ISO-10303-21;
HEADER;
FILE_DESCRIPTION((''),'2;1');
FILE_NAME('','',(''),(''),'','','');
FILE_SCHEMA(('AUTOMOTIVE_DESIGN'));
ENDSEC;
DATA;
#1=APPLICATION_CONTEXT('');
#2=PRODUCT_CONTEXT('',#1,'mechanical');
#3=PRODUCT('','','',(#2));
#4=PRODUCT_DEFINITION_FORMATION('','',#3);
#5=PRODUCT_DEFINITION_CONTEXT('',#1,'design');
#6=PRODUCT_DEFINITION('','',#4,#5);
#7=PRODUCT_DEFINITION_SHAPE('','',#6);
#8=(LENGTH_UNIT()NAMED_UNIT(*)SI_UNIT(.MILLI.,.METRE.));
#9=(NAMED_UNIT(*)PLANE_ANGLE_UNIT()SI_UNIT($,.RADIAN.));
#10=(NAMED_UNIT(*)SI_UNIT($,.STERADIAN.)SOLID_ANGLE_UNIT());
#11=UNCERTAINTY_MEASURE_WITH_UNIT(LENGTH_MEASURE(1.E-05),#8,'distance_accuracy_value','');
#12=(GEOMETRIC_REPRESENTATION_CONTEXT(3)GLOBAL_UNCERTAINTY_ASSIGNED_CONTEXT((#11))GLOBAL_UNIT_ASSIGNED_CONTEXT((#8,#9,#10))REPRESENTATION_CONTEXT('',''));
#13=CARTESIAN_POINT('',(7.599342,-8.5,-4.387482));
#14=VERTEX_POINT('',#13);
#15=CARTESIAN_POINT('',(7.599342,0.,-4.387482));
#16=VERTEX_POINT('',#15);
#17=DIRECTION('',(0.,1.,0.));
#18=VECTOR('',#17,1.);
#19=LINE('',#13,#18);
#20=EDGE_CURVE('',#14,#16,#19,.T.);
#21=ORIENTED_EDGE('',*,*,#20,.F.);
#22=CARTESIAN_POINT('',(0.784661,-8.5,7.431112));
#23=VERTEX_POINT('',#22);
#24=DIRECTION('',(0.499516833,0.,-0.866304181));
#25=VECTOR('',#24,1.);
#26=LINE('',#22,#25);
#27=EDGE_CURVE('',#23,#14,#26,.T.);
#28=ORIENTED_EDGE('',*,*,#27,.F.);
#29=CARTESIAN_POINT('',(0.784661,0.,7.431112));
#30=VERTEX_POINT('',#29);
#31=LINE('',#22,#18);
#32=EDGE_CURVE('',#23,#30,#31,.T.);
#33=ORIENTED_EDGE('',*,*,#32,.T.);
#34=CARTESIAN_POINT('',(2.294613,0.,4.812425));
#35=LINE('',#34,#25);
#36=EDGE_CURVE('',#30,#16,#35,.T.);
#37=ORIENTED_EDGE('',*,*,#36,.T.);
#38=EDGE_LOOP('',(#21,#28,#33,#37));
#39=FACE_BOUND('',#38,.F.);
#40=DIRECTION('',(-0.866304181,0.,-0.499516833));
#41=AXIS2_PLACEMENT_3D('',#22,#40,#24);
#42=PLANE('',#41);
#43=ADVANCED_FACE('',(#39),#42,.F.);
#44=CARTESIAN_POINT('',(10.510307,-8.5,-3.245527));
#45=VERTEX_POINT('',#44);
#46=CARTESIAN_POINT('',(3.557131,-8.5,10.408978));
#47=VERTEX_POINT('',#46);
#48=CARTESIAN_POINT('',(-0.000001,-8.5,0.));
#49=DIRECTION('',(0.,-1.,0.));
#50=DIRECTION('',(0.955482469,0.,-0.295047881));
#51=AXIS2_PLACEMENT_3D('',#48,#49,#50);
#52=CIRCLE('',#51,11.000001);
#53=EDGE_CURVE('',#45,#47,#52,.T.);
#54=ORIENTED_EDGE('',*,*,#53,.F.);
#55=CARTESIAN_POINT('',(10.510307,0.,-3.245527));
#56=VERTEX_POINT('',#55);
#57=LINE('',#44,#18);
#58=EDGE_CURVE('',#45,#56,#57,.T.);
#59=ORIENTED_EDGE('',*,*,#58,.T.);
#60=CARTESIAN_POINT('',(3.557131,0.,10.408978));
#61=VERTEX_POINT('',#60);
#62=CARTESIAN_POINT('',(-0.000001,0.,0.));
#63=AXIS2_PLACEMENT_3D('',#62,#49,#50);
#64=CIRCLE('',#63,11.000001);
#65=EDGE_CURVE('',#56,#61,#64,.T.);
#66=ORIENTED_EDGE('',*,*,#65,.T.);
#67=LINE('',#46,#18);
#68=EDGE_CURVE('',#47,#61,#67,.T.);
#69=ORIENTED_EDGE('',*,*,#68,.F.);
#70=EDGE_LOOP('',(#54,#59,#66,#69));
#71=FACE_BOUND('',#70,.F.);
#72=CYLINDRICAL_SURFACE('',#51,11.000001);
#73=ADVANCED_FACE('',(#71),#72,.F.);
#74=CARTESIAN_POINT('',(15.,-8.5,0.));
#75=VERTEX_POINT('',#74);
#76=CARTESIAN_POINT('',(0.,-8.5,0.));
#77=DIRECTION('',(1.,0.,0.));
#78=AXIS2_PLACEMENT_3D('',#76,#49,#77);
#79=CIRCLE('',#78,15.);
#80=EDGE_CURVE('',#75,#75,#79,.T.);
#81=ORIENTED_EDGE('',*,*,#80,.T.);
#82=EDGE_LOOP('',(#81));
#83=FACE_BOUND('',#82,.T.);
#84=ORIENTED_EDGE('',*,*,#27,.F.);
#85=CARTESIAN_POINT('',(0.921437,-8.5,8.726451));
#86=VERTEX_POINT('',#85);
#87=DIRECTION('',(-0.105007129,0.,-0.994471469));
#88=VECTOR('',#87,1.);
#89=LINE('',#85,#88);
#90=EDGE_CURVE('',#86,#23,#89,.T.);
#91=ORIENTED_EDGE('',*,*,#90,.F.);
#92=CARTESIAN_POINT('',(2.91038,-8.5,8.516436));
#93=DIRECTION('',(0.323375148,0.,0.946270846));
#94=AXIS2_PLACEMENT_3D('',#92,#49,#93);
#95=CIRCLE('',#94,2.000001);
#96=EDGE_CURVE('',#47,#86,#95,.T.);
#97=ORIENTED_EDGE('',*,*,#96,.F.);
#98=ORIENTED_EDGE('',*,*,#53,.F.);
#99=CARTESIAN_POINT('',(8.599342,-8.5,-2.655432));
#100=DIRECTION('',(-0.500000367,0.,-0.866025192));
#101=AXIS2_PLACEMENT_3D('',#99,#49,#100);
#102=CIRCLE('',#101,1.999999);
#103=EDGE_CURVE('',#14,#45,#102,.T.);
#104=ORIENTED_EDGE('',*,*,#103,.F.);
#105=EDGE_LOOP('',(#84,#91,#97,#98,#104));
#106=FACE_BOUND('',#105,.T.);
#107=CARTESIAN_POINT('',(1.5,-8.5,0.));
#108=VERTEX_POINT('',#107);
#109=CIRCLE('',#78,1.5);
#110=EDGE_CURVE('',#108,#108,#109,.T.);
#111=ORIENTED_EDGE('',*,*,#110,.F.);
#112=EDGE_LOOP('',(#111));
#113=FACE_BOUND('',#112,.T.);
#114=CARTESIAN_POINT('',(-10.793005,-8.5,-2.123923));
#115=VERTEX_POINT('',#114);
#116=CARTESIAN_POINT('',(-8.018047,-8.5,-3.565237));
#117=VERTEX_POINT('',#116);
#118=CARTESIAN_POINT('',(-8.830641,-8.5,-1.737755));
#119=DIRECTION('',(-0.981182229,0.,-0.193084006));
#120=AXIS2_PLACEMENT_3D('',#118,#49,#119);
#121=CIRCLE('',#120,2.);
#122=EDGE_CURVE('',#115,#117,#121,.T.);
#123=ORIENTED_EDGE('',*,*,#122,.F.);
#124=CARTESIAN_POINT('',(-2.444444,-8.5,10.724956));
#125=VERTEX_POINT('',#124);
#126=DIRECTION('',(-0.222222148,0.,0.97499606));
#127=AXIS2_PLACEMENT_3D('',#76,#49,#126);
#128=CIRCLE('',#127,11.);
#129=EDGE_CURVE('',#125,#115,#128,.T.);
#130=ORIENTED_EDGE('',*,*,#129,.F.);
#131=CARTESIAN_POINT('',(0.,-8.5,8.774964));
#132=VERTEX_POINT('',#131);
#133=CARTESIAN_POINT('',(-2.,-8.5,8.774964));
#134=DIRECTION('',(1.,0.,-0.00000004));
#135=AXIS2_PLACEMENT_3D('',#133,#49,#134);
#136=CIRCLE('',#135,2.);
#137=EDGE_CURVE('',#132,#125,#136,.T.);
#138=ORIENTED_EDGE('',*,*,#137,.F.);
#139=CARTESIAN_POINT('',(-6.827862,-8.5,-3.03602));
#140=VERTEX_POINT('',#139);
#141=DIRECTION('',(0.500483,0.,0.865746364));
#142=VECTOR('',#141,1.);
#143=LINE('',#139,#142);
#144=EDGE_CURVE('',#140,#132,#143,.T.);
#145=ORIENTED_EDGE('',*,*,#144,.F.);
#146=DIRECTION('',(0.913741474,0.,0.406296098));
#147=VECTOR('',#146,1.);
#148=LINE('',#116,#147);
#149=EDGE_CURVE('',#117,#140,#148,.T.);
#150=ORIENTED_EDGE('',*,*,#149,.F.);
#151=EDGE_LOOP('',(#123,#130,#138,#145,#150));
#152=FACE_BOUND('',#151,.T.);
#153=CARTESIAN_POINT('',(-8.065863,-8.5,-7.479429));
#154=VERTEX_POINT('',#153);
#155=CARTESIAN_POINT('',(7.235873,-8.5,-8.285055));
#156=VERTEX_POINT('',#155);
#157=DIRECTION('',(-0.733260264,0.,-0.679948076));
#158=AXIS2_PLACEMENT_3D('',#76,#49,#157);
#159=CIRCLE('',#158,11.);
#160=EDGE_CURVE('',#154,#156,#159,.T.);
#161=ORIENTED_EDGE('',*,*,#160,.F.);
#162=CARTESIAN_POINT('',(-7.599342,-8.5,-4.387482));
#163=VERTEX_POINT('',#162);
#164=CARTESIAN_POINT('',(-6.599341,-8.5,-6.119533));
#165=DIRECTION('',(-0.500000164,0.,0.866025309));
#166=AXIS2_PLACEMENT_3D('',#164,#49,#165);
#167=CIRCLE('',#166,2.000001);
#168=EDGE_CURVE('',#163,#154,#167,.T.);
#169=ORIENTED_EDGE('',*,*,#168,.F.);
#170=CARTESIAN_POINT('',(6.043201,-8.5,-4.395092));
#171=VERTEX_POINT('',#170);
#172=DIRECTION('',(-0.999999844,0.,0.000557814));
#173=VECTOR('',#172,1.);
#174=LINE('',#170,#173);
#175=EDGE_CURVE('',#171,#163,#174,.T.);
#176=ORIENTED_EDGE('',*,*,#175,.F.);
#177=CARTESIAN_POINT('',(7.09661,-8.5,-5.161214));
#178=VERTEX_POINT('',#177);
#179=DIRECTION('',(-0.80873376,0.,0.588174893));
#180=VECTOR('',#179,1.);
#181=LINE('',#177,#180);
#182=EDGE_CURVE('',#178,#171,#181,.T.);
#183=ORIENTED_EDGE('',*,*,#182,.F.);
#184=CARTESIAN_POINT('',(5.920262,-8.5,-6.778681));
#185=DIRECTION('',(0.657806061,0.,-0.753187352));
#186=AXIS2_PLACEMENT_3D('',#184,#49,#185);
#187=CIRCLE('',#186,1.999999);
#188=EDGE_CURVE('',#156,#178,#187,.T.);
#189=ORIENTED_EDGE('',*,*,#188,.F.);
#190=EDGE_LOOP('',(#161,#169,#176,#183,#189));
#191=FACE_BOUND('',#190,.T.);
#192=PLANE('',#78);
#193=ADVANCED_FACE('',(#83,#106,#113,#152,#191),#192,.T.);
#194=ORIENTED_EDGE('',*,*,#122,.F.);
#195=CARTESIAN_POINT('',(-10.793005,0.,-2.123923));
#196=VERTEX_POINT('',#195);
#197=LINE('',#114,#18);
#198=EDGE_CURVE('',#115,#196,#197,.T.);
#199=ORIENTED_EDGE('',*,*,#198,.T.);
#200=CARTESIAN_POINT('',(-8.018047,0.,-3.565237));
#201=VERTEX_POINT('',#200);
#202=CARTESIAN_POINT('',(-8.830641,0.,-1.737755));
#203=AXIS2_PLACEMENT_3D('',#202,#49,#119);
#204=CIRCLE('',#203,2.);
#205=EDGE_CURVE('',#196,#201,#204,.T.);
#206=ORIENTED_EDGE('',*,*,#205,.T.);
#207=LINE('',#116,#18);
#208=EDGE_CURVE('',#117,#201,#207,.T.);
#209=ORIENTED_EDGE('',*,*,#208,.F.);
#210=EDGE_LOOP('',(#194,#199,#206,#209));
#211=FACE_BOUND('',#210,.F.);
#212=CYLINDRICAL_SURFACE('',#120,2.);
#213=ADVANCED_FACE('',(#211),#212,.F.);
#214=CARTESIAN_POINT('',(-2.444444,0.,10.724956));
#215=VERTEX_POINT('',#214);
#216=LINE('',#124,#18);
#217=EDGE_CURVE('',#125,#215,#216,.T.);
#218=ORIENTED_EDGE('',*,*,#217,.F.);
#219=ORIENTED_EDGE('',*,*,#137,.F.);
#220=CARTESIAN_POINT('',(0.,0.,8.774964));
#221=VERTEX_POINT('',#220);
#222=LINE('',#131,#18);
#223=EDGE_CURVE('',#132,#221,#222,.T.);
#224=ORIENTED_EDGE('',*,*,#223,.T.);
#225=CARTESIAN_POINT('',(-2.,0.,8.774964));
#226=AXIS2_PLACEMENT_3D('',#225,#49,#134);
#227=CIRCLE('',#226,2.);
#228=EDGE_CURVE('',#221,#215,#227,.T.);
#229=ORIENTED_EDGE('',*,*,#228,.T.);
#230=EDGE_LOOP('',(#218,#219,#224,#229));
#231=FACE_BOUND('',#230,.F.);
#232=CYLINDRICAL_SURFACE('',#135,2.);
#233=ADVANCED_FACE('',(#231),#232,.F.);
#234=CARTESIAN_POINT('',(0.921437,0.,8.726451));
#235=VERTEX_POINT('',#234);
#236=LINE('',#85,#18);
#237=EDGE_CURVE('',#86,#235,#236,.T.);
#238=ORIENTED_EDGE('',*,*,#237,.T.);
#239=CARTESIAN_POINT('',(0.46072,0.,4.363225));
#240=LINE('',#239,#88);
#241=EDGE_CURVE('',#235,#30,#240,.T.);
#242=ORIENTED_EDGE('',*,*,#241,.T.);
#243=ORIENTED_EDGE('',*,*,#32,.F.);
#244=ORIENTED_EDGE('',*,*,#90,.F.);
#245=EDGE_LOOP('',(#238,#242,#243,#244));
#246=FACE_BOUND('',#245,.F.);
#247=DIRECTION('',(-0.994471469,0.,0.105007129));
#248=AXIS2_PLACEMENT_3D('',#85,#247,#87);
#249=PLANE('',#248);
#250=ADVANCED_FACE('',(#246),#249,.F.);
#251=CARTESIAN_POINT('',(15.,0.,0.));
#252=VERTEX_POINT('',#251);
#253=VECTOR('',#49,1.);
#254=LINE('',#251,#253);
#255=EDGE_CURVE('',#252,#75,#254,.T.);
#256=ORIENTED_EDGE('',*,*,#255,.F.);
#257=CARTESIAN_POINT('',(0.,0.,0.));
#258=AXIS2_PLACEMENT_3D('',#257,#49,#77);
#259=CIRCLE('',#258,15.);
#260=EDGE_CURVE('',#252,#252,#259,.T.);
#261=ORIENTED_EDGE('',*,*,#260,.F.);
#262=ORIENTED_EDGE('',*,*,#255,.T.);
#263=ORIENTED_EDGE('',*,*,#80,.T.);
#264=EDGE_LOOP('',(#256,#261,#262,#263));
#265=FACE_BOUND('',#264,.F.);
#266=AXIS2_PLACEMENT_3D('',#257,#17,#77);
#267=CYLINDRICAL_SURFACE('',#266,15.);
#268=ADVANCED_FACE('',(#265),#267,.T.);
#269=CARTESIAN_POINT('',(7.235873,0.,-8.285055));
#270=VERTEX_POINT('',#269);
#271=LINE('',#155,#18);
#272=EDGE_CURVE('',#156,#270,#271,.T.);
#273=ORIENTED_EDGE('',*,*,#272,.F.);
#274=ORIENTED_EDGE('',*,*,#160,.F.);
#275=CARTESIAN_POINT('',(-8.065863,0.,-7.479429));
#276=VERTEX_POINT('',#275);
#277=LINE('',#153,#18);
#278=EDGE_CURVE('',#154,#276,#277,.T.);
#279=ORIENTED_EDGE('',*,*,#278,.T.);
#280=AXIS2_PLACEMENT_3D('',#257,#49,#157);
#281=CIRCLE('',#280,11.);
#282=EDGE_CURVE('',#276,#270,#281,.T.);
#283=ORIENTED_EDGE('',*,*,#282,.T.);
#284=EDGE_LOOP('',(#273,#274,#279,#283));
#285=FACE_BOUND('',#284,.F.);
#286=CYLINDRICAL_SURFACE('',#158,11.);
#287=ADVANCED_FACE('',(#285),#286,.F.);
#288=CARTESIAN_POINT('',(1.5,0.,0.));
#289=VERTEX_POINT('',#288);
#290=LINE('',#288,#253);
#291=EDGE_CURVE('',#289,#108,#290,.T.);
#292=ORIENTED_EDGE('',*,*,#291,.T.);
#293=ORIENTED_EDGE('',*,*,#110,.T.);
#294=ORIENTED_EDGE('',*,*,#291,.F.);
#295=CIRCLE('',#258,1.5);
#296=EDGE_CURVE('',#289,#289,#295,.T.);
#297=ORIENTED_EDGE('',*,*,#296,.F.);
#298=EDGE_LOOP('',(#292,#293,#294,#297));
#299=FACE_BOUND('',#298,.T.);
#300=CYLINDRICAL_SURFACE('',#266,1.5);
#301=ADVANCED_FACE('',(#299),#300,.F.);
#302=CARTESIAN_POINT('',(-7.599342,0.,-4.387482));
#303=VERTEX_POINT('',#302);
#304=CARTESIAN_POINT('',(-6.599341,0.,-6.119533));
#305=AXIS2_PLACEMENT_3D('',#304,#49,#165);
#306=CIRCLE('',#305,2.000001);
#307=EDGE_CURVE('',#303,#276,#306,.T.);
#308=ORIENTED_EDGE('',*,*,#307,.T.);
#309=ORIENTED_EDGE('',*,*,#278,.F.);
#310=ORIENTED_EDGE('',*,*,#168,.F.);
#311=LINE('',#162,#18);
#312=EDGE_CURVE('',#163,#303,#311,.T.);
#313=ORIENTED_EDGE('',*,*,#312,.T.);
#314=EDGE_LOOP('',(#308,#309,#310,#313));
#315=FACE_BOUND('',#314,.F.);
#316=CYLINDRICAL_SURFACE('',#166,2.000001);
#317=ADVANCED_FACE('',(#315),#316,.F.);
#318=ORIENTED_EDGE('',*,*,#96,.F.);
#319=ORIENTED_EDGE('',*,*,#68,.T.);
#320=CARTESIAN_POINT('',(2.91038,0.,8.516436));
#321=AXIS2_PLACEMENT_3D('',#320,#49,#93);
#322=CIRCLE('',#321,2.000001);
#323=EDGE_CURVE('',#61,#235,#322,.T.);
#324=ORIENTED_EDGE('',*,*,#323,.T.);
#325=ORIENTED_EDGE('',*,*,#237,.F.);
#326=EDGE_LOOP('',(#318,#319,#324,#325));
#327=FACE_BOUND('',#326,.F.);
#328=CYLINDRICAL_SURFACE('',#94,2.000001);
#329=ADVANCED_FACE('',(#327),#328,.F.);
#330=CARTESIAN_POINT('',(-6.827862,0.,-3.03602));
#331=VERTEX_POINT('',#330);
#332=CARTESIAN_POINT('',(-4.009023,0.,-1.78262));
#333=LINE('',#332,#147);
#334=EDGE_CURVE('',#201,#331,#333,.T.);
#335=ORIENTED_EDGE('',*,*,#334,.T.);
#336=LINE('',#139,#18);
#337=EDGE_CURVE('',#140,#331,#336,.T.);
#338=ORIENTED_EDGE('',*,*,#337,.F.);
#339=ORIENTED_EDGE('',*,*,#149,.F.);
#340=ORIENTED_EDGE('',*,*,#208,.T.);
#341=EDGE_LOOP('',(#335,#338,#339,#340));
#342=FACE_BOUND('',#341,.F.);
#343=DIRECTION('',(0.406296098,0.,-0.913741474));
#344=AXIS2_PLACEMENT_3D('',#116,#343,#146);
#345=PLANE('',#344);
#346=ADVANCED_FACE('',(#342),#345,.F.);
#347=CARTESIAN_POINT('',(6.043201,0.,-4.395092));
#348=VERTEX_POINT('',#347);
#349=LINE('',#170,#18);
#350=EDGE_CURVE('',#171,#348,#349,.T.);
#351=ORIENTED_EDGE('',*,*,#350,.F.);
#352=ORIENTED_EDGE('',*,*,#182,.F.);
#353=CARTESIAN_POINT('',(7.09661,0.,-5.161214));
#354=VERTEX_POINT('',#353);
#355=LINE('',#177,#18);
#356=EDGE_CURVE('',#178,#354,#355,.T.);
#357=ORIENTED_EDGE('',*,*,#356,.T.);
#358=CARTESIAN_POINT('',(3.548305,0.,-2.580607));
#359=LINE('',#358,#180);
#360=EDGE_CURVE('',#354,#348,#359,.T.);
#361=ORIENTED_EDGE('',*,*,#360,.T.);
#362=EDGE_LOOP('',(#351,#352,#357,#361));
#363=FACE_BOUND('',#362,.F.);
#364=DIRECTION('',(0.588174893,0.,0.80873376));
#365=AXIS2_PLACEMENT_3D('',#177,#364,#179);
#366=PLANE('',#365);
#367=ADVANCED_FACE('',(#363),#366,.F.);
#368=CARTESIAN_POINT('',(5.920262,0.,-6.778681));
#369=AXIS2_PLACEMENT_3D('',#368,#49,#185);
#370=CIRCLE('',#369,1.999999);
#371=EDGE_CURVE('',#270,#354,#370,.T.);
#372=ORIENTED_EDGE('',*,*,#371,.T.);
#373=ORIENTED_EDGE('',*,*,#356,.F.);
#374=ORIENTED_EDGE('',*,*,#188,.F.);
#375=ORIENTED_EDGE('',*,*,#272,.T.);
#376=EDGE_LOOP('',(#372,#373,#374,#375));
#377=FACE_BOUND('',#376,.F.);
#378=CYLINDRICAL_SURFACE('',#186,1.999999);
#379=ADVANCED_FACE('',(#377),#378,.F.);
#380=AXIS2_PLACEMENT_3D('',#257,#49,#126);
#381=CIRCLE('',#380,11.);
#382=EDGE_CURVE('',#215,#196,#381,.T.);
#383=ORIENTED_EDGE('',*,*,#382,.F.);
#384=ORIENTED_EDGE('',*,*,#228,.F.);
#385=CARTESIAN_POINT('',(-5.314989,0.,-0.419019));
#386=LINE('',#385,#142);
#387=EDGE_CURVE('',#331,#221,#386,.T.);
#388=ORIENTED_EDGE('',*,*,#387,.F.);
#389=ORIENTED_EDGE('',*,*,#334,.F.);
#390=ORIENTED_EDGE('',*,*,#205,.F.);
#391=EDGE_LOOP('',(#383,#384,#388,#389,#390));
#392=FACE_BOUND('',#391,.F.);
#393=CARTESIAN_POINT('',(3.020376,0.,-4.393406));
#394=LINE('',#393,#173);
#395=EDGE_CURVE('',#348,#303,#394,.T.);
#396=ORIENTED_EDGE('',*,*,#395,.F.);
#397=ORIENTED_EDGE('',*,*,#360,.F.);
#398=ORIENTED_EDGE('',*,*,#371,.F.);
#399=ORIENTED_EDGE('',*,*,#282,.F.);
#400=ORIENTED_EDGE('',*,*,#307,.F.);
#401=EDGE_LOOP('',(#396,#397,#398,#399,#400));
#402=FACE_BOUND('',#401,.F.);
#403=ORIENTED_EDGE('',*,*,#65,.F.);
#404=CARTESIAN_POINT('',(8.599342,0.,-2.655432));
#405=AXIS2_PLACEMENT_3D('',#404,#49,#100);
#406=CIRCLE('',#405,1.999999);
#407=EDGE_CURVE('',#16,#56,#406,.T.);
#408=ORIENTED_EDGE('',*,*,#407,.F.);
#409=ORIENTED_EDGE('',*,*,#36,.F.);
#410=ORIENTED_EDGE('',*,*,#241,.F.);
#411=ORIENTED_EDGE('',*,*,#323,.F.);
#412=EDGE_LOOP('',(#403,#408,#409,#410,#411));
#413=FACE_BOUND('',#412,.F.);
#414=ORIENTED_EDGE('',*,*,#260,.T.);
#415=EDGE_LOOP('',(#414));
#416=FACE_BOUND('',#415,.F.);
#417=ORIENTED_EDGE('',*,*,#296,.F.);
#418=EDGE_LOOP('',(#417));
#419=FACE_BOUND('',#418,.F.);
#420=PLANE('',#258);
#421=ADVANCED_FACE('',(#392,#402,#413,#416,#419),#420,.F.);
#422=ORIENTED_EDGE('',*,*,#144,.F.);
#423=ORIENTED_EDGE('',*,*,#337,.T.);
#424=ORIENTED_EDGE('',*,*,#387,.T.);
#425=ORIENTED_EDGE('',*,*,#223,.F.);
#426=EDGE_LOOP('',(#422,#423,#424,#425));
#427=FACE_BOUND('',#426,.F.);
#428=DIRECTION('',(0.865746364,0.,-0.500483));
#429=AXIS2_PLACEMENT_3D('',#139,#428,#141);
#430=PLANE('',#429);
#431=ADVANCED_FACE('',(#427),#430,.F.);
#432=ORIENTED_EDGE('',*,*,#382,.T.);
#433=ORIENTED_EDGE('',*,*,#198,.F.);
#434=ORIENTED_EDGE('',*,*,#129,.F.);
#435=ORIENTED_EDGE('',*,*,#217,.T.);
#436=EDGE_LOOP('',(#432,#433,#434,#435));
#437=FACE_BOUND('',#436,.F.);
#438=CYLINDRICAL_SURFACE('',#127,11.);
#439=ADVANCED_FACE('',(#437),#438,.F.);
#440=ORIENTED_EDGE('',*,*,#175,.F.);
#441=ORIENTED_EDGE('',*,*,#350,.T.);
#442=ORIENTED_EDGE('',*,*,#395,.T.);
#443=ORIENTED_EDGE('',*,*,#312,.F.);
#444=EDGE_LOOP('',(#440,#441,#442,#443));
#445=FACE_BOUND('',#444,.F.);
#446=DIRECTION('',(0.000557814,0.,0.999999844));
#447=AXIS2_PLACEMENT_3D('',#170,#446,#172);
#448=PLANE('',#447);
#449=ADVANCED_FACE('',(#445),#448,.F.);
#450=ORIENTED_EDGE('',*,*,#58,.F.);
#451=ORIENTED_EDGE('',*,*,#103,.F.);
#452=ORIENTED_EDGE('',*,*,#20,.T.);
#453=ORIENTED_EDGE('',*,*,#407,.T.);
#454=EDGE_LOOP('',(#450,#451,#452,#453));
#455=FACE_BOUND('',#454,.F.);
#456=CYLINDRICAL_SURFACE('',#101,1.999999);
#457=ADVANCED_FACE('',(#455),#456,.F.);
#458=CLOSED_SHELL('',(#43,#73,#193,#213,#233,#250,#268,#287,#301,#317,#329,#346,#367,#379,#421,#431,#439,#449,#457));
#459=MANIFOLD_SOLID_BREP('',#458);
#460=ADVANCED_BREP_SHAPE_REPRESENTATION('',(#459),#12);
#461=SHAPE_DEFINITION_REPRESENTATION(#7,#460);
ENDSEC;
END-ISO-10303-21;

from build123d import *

# Parameters (mm, degrees)
F0_R     = 15
F0_R_2   = 1.5
F1_DEPTH = 8.5
F3_DEPTH = 8.501


with BuildPart() as f1:
    # F0 (on Front) → F1 (new body)
    with BuildSketch(Plane.XZ):
        Circle(F0_R)
        Circle(F0_R_2, mode=Mode.SUBTRACT)
    extrude(amount=F1_DEPTH)

    # F2 (on face) → F3 (cut, through all)
    with BuildSketch(Plane.XZ.offset(8.5)):
        with BuildLine():
            Line((-8.018047, -3.565237), (-6.827862, -3.03602))
            Line((-6.827862, -3.03602), (0, 8.774964))
            ThreePointArc((0, 8.774964), (-0.752781, 10.338436), (-2.444444, 10.724956))
            ThreePointArc((-2.444444, 10.724956), (-9.223933, 5.993251), (-10.793005, -2.123923))
            ThreePointArc((-10.793005, -2.123923), (-9.752508, -3.512624), (-8.018047, -3.565237))
        make_face()
        with BuildLine():
            Line((0.784661, 7.431112), (7.599342, -4.387482))
            ThreePointArc((7.599342, -4.387482), (9.329739, -4.517291), (10.510307, -3.245527))
            ThreePointArc((10.510307, -3.245527), (9.802274, 4.991535), (3.557131, 10.408978))
            ThreePointArc((3.557131, 10.408978), (1.834233, 10.202232), (0.921437, 8.726451))
            Line((0.921437, 8.726451), (0.784661, 7.431112))
        make_face()
        with BuildLine():
            Line((6.043201, -4.395092), (-7.599342, -4.387482))
            ThreePointArc((-7.599342, -4.387482), (-8.576958, -5.821146), (-8.065863, -7.479429))
            ThreePointArc((-8.065863, -7.479429), (-0.578341, -10.984786), (7.235873, -8.285055))
            ThreePointArc((7.235873, -8.285055), (7.918276, -6.689608), (7.09661, -5.161214))
            Line((7.09661, -5.161214), (6.043201, -4.395092))
        make_face()
    extrude(amount=-F3_DEPTH, mode=Mode.SUBTRACT)


solid = f1.part
